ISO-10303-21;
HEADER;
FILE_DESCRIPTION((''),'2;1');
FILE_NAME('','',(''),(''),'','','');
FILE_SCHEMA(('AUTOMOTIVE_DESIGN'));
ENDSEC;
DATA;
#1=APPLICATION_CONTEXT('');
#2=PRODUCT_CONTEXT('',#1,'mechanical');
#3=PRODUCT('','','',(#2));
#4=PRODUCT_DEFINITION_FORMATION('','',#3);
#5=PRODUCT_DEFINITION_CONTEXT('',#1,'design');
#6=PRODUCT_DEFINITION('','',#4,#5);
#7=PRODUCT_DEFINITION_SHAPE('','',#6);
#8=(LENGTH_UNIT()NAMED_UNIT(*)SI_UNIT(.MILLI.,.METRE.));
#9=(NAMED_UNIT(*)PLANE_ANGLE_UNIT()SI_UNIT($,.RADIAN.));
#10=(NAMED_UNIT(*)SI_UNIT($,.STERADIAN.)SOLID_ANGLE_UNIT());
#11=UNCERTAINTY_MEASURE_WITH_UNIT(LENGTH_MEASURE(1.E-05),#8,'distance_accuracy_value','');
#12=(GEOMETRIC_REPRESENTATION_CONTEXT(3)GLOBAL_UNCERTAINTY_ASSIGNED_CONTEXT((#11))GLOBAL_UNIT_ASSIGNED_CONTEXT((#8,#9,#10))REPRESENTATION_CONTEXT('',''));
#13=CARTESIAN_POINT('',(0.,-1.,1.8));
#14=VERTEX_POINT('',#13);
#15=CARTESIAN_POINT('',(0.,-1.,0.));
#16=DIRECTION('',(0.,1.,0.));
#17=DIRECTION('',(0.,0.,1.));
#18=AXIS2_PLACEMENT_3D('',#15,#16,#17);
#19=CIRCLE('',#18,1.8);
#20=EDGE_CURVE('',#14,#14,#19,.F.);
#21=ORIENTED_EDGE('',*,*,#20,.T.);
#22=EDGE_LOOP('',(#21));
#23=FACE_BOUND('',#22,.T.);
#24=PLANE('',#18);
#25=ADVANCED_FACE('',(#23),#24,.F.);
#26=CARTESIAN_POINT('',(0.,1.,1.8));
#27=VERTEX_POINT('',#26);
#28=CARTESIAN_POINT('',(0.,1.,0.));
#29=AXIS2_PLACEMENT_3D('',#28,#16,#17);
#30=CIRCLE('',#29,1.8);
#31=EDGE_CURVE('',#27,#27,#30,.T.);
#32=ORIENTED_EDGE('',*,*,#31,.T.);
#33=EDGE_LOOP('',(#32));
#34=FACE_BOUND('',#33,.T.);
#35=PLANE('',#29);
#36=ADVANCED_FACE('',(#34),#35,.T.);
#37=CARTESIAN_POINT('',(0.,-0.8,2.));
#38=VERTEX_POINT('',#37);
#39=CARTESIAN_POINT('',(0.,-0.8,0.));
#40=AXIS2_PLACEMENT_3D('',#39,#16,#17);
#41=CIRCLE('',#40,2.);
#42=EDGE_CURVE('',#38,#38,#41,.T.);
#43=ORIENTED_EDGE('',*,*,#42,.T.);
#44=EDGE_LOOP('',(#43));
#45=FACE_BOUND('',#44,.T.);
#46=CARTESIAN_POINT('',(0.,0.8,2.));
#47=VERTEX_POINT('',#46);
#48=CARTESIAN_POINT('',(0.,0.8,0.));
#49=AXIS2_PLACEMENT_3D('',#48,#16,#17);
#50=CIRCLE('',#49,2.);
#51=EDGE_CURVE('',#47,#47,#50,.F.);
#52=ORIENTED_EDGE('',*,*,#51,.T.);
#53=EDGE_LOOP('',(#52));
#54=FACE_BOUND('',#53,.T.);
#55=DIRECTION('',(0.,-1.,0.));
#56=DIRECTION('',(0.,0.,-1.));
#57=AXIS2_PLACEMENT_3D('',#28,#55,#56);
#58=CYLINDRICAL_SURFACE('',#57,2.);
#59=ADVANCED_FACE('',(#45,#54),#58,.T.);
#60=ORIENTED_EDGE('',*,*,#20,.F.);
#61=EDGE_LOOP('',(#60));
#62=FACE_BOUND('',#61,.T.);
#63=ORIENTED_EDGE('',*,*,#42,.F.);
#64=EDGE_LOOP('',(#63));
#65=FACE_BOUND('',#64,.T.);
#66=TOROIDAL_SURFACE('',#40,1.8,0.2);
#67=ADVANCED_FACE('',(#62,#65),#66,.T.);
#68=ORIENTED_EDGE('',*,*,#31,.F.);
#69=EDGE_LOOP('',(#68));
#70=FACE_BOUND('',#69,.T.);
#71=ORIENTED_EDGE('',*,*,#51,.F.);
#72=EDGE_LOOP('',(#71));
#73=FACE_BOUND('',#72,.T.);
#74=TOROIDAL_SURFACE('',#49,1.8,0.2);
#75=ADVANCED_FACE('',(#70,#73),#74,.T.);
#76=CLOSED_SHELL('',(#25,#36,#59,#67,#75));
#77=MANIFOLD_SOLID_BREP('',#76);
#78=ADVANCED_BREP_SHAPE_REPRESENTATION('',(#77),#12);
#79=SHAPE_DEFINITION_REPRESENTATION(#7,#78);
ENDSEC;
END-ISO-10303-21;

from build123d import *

# Parameters (mm, degrees)
SKETCH_2_R      = 2
EXTRUDE_1_DEPTH = 1
FILLET_1_R      = 0.2


with BuildPart() as part:
    # 草图2 → 凸台-拉伸1 (new body, symmetric)
    with BuildSketch(Plane(origin=(0, 0, 0), x_dir=(1, 0, 0), z_dir=(0, 1, 0))):
        Circle(SKETCH_2_R)
    extrude(amount=EXTRUDE_1_DEPTH, both=True)

    # 圆角1
    fillet_1_edges = [part.edges().sort_by_distance(p)[0] for p in [
        (-2, -1, 0),
        (-2, 1, 0),
    ]]
    fillet(fillet_1_edges, radius=FILLET_1_R)


solid = part.part
